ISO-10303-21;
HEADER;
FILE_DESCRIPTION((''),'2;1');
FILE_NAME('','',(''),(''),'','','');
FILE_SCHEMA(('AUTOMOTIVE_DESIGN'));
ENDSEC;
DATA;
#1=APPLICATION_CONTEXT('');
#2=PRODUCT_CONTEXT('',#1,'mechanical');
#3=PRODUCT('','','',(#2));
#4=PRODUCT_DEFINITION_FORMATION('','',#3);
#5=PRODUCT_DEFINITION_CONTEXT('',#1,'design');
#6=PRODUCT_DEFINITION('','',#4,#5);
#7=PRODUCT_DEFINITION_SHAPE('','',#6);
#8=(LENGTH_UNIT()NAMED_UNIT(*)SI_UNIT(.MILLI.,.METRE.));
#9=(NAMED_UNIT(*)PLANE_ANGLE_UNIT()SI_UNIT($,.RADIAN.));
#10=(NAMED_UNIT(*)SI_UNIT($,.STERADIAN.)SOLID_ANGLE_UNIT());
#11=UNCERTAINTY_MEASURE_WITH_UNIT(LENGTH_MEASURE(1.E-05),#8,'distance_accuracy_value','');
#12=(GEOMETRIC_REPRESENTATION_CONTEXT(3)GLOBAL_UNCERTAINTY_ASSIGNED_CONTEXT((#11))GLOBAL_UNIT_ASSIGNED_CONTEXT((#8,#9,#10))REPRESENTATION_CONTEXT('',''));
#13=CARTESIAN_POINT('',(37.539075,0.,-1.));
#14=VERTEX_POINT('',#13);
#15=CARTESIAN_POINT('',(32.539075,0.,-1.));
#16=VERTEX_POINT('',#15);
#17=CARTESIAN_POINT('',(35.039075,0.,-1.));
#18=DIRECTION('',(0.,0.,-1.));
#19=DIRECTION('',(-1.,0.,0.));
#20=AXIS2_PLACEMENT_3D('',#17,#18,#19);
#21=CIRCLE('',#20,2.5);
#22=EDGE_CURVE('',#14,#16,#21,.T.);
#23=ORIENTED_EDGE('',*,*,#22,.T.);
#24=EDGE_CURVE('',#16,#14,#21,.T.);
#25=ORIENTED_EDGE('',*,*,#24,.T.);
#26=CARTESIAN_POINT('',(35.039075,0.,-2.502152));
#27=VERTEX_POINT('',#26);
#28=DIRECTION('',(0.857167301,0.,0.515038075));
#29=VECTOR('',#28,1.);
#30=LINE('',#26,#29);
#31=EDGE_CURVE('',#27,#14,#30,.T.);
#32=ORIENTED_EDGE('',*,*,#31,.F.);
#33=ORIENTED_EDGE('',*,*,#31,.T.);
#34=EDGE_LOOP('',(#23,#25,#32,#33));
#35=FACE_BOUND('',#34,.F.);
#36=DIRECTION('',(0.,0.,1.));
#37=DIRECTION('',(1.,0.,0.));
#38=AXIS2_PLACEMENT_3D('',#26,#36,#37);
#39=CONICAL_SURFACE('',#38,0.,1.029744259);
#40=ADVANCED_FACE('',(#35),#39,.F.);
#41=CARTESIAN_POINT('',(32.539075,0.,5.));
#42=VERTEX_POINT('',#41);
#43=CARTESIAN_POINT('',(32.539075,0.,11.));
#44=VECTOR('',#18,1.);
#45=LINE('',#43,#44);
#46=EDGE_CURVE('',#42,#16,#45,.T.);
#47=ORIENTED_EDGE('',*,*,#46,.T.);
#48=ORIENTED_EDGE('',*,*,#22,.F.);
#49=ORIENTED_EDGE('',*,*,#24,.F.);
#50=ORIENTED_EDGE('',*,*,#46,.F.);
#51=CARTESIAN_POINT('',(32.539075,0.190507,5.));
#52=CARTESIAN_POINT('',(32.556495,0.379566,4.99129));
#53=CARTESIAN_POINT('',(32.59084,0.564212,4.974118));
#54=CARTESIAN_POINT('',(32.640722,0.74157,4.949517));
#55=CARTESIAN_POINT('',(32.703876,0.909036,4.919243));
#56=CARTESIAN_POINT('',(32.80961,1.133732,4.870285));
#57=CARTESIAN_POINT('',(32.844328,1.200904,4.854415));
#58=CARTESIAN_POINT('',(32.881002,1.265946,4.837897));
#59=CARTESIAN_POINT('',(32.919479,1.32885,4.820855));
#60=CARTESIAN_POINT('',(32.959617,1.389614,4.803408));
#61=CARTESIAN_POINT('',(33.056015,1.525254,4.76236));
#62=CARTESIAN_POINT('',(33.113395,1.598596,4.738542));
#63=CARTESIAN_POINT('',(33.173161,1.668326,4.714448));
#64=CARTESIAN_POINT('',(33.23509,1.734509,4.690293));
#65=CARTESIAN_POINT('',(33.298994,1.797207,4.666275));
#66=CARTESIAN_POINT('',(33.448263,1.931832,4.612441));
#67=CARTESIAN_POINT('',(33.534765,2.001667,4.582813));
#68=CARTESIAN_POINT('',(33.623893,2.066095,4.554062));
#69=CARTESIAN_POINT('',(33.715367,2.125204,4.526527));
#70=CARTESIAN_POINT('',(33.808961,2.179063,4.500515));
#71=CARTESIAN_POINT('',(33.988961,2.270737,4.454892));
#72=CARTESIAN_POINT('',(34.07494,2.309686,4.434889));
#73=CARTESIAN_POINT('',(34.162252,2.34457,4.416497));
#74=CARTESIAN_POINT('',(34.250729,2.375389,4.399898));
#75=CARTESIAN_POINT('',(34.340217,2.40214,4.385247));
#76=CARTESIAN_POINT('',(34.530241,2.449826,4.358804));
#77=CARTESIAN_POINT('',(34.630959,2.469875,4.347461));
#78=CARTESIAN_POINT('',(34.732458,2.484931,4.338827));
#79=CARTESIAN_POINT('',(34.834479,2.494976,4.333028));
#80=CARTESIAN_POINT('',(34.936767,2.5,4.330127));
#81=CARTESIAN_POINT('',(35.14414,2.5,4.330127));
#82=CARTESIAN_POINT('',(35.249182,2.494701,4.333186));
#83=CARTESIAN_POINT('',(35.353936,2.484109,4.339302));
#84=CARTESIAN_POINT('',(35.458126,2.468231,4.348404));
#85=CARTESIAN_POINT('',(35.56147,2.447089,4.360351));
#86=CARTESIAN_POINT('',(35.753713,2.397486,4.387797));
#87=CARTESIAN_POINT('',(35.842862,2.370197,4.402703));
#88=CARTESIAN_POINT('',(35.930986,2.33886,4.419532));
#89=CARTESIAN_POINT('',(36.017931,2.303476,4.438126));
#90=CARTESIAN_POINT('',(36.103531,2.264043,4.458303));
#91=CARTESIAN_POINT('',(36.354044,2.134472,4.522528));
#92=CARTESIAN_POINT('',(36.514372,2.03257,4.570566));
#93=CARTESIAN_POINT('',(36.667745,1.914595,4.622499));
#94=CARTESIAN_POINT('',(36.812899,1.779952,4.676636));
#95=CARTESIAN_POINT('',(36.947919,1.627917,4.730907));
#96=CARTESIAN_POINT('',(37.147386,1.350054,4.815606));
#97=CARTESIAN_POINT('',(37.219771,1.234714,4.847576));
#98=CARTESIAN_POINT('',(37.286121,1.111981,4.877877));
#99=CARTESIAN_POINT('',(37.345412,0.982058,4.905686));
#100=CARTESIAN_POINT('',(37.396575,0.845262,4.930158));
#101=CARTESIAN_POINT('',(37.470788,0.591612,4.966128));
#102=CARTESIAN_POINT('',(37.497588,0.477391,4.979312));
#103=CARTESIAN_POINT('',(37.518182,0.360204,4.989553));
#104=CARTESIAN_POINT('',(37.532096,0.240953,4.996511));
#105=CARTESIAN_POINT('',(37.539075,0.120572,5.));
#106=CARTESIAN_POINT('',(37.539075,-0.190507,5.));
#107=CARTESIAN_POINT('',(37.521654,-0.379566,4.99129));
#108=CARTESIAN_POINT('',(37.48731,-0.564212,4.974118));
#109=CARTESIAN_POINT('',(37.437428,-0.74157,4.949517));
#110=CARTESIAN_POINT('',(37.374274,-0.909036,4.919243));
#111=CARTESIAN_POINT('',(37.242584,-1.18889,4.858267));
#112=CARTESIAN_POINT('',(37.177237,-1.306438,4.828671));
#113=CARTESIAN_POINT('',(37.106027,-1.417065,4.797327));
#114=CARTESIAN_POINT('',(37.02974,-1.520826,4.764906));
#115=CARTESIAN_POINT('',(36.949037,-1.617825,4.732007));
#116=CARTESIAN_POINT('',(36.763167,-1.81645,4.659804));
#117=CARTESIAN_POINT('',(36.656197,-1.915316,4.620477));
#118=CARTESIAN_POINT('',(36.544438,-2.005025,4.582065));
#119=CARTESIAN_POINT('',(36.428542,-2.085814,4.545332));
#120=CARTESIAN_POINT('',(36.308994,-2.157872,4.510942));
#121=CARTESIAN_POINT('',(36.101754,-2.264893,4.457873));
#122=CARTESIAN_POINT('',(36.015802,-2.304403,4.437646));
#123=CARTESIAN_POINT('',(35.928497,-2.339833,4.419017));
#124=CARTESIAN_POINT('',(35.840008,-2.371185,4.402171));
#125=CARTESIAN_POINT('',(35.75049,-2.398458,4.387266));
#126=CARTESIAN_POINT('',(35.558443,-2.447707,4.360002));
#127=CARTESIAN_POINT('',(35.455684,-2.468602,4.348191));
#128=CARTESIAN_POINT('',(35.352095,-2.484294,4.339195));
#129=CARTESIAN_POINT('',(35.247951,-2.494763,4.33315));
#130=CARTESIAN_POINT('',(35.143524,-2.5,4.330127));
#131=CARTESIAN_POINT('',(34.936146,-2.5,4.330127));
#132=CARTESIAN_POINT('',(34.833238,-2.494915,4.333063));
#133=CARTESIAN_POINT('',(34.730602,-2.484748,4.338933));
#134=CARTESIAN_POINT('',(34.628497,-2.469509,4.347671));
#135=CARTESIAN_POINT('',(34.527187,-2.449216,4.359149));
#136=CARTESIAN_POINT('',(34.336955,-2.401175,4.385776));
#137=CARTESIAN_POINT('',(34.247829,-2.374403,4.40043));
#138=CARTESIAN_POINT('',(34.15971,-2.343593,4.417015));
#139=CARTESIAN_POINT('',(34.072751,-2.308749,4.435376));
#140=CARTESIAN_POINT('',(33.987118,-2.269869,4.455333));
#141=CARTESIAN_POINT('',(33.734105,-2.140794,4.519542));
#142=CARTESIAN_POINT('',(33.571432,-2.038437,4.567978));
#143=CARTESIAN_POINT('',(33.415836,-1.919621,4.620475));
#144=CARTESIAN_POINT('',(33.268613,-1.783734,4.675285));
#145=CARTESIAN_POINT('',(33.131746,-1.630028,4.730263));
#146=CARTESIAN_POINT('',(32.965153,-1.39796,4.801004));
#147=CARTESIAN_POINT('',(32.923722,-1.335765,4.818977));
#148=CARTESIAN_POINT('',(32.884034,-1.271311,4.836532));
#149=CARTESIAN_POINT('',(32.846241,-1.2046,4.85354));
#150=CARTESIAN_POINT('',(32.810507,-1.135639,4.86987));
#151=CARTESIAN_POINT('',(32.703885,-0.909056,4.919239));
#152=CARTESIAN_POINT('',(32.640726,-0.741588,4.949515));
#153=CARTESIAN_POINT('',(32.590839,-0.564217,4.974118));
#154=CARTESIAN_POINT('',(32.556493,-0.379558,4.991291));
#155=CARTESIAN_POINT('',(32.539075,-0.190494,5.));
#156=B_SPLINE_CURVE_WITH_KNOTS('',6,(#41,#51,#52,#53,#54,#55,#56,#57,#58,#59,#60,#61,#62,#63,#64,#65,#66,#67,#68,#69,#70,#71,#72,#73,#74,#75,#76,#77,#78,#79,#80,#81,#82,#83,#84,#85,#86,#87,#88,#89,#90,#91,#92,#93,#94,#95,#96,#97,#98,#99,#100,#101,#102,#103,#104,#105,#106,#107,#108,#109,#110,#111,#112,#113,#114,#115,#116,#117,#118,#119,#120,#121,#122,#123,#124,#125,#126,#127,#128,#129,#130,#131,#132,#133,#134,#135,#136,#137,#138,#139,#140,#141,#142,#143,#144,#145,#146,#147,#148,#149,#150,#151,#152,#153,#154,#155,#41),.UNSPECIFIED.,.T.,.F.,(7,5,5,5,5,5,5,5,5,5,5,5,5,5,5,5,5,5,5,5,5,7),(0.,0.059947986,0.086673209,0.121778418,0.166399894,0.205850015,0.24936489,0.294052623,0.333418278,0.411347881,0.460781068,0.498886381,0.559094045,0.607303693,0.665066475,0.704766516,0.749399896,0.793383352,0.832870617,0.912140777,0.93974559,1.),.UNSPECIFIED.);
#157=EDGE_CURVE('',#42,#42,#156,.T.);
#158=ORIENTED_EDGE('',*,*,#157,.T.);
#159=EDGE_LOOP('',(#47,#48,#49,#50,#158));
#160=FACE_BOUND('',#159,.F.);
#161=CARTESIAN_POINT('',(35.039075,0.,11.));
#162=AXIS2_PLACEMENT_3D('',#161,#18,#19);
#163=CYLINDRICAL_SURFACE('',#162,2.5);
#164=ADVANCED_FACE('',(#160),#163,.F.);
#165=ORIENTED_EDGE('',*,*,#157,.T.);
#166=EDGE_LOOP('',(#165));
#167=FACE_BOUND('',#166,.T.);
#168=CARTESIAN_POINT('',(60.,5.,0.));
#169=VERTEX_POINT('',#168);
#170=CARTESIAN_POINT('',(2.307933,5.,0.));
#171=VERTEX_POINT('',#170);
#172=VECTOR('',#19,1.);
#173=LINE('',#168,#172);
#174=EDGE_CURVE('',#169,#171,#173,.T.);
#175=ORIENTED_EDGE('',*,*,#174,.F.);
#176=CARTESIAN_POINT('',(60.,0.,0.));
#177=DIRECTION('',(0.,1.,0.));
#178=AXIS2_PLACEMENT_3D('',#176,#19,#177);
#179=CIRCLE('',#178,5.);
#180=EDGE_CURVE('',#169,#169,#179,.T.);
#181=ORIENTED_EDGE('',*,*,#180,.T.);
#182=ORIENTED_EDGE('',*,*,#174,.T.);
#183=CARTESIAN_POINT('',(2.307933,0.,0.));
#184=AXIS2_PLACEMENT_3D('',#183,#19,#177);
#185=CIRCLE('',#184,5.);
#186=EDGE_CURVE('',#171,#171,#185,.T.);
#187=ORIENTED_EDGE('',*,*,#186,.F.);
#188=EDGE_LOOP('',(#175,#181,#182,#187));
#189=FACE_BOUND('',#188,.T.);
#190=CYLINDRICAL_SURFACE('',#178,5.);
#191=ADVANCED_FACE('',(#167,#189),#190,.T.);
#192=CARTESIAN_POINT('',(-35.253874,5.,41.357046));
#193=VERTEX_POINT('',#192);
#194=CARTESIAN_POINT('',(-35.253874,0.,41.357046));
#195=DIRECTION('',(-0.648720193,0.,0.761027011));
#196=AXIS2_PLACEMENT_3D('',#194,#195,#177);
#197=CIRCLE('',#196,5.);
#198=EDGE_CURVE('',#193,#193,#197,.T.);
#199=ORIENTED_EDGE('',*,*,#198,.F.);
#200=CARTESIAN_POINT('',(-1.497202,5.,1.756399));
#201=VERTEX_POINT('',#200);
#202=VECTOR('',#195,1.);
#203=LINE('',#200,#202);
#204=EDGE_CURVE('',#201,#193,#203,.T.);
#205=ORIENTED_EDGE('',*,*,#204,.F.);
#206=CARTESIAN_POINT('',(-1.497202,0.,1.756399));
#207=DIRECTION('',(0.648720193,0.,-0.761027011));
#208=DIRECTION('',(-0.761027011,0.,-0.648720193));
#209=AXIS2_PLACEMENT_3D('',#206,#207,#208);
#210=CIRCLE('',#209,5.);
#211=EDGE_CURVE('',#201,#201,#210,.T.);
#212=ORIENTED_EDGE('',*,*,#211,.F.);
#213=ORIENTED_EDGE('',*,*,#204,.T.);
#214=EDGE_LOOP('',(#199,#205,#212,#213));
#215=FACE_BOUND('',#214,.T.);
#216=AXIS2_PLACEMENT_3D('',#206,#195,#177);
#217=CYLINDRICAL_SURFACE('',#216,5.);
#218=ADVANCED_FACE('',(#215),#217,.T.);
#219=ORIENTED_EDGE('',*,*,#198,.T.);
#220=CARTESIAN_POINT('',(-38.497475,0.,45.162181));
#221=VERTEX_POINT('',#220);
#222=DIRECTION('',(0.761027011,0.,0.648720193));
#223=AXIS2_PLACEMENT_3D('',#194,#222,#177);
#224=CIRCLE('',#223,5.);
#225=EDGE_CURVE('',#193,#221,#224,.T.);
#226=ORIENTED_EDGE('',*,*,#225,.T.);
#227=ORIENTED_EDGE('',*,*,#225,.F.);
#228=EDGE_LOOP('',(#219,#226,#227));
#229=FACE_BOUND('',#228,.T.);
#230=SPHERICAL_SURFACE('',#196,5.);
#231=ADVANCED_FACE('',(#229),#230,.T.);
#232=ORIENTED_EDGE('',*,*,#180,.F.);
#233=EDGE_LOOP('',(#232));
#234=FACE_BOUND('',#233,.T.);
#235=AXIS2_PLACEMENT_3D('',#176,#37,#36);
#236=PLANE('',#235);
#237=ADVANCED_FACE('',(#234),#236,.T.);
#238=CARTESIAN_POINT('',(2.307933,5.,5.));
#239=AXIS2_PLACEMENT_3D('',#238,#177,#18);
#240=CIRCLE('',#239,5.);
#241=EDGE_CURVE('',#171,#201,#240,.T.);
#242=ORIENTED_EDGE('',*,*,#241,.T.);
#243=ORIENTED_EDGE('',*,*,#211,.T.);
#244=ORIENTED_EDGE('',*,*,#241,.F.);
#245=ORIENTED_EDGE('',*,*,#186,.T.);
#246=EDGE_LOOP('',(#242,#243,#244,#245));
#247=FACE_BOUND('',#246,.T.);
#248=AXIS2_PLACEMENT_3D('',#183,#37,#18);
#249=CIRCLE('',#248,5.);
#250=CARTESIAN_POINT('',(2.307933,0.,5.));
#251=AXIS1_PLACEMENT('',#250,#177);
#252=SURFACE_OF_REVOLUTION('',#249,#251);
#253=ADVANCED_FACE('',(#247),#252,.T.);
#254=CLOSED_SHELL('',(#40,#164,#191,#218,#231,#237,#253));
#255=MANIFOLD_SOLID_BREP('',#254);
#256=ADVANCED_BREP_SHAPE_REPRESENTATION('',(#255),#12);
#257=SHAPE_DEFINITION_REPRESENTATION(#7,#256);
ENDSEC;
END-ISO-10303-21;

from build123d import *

# Parameters (mm, degrees)
F2_R     = 5
F7_D     = 5
F7_DEPTH = 6
F7_TIP   = 1.5021515476
F8_R     = 5


with BuildPart() as f3:
    # F3: sweep along a path in F0
    with BuildLine(Plane.XZ) as f3_path:
        Line((60, 0), (2.307932585, 0))
        ThreePointArc((2.307932585, 0), (0.212461852, 0.4602860875), (-1.497202471, 1.7563990372))
        Line((-1.497202471, 1.7563990372), (-38.4974752497, 45.1621806509))
    # F2 (on offset) → F3 (sweep)
    with BuildSketch(Plane.YZ.offset(60)):
        Circle(F2_R)
    sweep(path=f3_path.line)

    # F7
    with Locations(Plane.XY.offset(5)):
        with Locations((35.039074719, 0)):
            Hole(F7_D / 2, depth=F7_DEPTH)
            with Locations((0, 0, -(F7_DEPTH + F7_TIP / 2))):  # 118° drill point
                Cone(0, F7_D / 2, F7_TIP, mode=Mode.SUBTRACT)

    # F8
    f8_edges = [f3.edges().sort_by_distance(p)[0] for p in [
        (-38.497475, -5, 45.162181),
    ]]
    fillet(f8_edges, radius=F8_R)


solid = f3.part
